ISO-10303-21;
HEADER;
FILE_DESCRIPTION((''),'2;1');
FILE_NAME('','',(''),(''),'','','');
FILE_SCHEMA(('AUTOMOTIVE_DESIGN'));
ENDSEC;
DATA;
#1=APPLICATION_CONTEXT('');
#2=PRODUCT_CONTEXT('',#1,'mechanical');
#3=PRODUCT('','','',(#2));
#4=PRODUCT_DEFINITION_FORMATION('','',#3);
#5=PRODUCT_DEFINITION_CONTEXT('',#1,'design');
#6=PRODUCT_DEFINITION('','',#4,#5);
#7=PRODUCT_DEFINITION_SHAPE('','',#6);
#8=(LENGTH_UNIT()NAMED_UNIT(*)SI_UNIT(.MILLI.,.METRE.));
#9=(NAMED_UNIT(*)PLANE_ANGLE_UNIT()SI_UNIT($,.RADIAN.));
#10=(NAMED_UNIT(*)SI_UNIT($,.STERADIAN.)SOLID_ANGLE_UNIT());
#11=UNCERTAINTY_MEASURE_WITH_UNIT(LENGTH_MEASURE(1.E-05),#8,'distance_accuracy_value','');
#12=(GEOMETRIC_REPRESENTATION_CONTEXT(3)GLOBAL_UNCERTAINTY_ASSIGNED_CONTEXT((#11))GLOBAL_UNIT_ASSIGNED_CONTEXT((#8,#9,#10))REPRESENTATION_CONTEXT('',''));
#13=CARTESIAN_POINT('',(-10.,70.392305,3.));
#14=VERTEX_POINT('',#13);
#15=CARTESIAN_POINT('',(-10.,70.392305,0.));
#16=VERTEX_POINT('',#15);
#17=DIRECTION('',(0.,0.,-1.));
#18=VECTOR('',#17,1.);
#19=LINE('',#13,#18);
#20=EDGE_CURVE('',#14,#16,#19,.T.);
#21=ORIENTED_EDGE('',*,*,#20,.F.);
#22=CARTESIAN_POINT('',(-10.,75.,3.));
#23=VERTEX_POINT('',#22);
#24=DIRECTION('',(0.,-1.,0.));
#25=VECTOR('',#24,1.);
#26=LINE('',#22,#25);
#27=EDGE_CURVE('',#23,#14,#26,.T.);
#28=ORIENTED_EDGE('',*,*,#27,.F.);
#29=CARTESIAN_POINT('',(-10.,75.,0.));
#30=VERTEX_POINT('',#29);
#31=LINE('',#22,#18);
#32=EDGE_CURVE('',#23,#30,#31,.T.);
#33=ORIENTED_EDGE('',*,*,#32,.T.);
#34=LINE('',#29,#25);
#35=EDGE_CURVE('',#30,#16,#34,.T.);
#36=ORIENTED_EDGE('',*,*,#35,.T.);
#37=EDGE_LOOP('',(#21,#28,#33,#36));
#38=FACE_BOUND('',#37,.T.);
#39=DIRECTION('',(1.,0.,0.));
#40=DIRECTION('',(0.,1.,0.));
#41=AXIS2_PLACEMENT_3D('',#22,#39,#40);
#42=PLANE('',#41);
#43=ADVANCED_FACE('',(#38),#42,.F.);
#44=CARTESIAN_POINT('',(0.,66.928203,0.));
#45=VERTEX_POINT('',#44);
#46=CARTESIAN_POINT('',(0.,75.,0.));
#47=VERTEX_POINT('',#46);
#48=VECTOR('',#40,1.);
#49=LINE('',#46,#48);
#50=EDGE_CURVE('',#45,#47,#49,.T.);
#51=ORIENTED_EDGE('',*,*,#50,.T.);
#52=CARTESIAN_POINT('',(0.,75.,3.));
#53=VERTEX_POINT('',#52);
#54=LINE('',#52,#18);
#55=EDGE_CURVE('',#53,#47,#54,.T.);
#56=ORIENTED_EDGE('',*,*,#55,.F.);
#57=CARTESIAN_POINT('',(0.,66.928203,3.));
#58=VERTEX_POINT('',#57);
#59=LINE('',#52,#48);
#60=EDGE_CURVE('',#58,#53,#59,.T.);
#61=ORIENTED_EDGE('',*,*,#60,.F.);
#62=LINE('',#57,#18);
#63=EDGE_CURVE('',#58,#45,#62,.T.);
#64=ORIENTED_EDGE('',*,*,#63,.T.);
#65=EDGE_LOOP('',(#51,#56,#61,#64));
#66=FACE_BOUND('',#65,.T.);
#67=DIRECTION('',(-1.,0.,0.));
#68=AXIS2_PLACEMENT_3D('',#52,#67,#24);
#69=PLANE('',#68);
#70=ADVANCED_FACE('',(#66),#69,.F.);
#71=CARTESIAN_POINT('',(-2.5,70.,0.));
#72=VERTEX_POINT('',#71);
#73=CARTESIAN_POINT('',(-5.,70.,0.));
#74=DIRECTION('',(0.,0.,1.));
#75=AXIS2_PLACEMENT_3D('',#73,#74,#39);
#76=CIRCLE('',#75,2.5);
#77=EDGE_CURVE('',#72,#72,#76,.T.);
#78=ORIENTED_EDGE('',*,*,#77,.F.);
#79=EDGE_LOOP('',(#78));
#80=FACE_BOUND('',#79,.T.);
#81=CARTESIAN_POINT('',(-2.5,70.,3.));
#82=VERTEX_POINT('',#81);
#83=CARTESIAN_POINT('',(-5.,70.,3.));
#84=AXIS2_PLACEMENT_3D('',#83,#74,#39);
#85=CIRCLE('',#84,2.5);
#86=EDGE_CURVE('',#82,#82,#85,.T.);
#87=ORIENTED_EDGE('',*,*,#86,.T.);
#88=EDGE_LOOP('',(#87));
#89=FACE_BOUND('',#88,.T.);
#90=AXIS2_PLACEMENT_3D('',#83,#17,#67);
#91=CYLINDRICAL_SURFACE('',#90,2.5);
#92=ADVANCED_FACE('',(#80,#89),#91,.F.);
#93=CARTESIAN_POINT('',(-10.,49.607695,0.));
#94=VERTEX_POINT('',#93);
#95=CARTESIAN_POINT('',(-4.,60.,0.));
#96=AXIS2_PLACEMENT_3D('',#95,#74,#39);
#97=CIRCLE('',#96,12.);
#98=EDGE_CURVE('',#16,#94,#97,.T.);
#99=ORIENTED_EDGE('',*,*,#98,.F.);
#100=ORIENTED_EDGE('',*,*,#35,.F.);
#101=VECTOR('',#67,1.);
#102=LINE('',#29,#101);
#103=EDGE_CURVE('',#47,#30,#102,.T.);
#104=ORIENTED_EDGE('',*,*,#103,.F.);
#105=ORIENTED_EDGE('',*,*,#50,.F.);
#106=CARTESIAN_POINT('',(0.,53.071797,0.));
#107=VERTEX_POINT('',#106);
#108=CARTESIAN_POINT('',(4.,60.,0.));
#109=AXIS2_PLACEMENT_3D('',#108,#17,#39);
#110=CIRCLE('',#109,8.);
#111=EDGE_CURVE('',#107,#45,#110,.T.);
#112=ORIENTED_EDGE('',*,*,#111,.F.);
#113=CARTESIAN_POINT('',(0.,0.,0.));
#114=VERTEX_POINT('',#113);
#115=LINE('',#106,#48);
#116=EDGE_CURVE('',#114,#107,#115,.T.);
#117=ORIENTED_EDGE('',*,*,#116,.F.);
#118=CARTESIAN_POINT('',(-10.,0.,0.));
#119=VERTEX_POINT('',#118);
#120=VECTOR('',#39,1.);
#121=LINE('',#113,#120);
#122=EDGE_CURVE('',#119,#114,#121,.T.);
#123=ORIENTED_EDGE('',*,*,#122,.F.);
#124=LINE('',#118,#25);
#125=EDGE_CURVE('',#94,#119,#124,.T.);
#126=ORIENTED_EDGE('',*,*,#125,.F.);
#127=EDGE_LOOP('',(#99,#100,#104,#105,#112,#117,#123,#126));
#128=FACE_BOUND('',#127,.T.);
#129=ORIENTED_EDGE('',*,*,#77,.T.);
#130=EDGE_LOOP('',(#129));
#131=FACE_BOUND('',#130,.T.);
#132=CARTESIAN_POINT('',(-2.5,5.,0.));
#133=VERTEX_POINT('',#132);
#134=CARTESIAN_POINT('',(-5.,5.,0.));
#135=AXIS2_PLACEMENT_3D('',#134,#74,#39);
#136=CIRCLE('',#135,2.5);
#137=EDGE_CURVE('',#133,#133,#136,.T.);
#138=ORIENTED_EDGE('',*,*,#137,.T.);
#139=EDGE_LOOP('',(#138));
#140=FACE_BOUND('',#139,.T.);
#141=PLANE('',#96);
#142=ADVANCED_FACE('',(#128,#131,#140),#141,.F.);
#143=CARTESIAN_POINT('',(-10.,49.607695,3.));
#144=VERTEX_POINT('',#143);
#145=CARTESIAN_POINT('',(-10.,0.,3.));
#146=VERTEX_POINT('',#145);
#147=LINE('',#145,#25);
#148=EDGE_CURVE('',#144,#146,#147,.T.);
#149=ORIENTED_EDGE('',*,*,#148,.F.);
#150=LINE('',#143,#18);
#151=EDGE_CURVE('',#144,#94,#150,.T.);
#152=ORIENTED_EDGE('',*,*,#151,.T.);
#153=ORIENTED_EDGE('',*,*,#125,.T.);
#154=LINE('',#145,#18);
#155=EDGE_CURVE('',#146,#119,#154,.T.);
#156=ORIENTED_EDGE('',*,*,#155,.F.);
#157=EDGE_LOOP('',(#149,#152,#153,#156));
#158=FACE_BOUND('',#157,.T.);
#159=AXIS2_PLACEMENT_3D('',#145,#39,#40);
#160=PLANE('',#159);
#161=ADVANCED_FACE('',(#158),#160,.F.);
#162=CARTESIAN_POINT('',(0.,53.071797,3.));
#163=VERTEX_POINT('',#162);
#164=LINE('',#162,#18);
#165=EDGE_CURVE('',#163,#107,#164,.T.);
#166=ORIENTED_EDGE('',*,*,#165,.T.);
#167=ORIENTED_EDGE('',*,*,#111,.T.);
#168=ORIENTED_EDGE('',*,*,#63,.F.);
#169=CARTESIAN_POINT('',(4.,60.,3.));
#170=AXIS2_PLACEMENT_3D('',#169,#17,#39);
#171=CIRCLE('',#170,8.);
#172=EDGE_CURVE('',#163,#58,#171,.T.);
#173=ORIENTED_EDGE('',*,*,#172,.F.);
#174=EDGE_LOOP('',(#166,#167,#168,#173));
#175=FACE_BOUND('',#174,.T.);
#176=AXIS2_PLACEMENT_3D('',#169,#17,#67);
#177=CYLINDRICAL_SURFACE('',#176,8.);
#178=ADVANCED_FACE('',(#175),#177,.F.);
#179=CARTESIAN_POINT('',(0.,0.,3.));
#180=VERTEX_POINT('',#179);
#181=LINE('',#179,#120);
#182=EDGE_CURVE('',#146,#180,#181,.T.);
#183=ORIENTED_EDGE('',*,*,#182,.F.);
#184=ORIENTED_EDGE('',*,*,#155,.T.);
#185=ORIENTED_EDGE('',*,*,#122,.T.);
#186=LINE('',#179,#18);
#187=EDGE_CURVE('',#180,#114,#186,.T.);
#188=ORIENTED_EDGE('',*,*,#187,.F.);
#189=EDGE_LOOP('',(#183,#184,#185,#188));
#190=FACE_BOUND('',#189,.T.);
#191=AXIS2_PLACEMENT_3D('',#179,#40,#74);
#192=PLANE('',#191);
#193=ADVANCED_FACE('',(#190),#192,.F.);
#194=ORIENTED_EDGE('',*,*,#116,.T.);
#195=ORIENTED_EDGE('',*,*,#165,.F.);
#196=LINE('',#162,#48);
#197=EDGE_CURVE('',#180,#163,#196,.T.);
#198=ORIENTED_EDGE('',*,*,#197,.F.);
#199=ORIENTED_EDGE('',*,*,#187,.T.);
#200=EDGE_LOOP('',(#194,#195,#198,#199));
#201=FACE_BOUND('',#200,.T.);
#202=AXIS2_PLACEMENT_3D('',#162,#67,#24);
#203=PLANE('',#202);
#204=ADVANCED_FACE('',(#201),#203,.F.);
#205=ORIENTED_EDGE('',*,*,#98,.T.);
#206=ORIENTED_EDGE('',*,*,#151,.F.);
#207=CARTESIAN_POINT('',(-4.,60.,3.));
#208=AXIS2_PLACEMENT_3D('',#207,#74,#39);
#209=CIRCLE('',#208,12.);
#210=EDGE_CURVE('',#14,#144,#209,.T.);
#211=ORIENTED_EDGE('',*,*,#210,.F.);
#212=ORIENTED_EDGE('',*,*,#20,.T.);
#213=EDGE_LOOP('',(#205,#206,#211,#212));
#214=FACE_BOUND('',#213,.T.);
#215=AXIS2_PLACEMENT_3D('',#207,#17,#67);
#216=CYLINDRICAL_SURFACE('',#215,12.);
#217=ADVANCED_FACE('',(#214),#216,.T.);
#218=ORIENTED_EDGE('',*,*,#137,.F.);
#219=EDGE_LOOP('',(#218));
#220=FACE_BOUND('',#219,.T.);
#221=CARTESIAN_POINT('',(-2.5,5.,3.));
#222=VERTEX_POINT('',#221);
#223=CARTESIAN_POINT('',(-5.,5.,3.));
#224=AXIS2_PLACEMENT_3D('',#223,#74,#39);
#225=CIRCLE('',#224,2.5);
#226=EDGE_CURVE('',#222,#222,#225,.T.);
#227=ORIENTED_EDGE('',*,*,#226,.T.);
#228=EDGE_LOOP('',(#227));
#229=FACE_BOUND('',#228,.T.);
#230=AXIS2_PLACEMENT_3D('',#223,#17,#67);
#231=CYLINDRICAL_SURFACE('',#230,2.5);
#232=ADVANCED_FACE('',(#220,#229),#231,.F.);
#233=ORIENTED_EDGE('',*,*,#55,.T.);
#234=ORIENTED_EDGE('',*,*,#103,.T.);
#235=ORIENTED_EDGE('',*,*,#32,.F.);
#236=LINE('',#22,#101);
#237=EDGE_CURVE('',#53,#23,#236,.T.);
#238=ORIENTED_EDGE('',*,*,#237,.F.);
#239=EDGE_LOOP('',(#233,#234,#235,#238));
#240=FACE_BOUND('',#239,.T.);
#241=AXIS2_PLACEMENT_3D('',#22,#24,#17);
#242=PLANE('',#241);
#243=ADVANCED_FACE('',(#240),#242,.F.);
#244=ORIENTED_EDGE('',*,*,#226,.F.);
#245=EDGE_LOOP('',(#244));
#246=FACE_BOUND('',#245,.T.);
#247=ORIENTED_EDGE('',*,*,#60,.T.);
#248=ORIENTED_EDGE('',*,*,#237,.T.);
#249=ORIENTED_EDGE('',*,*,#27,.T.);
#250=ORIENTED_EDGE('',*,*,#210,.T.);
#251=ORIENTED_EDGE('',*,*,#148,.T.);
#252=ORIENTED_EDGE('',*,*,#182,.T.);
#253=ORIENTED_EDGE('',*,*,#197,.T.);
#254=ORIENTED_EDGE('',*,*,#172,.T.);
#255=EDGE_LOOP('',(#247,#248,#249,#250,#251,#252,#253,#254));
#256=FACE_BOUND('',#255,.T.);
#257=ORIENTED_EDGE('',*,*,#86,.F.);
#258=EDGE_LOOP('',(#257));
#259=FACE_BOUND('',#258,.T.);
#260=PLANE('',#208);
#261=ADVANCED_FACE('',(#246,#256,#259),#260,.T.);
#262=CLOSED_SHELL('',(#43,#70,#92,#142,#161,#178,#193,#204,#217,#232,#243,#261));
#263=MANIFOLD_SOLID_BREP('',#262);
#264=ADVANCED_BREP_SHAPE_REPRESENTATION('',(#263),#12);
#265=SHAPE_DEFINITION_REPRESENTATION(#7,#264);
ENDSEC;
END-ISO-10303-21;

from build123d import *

# Parameters (mm, degrees)
SCHIZZO1_R                   = 2.5
ESTRUSIONE_ESTRUSIONE3_DEPTH = 3


with BuildPart() as part:
    # Schizzo1 → Estrusione-Estrusione3 (new body)
    with BuildSketch(Plane.XY):
        with BuildLine():
            Line((-10, 75), (0, 75))
            Line((0, 75), (0, 66.92820323))
            ThreePointArc((0, 66.92820323), (-4, 60), (0, 53.07179677))
            Line((0, 53.07179677), (0, 0))
            Line((0, 0), (-10, 0))
            Line((-10, 0), (-10, 49.607695155))
            ThreePointArc((-10, 49.607695155), (-16, 60), (-10, 70.392304845))
            Line((-10, 70.392304845), (-10, 75))
        make_face()
        with Locations((-5, 70)):
            Circle(SCHIZZO1_R, mode=Mode.SUBTRACT)
        with Locations((-5, 5)):
            Circle(SCHIZZO1_R, mode=Mode.SUBTRACT)
    extrude(amount=ESTRUSIONE_ESTRUSIONE3_DEPTH)


solid = part.part
